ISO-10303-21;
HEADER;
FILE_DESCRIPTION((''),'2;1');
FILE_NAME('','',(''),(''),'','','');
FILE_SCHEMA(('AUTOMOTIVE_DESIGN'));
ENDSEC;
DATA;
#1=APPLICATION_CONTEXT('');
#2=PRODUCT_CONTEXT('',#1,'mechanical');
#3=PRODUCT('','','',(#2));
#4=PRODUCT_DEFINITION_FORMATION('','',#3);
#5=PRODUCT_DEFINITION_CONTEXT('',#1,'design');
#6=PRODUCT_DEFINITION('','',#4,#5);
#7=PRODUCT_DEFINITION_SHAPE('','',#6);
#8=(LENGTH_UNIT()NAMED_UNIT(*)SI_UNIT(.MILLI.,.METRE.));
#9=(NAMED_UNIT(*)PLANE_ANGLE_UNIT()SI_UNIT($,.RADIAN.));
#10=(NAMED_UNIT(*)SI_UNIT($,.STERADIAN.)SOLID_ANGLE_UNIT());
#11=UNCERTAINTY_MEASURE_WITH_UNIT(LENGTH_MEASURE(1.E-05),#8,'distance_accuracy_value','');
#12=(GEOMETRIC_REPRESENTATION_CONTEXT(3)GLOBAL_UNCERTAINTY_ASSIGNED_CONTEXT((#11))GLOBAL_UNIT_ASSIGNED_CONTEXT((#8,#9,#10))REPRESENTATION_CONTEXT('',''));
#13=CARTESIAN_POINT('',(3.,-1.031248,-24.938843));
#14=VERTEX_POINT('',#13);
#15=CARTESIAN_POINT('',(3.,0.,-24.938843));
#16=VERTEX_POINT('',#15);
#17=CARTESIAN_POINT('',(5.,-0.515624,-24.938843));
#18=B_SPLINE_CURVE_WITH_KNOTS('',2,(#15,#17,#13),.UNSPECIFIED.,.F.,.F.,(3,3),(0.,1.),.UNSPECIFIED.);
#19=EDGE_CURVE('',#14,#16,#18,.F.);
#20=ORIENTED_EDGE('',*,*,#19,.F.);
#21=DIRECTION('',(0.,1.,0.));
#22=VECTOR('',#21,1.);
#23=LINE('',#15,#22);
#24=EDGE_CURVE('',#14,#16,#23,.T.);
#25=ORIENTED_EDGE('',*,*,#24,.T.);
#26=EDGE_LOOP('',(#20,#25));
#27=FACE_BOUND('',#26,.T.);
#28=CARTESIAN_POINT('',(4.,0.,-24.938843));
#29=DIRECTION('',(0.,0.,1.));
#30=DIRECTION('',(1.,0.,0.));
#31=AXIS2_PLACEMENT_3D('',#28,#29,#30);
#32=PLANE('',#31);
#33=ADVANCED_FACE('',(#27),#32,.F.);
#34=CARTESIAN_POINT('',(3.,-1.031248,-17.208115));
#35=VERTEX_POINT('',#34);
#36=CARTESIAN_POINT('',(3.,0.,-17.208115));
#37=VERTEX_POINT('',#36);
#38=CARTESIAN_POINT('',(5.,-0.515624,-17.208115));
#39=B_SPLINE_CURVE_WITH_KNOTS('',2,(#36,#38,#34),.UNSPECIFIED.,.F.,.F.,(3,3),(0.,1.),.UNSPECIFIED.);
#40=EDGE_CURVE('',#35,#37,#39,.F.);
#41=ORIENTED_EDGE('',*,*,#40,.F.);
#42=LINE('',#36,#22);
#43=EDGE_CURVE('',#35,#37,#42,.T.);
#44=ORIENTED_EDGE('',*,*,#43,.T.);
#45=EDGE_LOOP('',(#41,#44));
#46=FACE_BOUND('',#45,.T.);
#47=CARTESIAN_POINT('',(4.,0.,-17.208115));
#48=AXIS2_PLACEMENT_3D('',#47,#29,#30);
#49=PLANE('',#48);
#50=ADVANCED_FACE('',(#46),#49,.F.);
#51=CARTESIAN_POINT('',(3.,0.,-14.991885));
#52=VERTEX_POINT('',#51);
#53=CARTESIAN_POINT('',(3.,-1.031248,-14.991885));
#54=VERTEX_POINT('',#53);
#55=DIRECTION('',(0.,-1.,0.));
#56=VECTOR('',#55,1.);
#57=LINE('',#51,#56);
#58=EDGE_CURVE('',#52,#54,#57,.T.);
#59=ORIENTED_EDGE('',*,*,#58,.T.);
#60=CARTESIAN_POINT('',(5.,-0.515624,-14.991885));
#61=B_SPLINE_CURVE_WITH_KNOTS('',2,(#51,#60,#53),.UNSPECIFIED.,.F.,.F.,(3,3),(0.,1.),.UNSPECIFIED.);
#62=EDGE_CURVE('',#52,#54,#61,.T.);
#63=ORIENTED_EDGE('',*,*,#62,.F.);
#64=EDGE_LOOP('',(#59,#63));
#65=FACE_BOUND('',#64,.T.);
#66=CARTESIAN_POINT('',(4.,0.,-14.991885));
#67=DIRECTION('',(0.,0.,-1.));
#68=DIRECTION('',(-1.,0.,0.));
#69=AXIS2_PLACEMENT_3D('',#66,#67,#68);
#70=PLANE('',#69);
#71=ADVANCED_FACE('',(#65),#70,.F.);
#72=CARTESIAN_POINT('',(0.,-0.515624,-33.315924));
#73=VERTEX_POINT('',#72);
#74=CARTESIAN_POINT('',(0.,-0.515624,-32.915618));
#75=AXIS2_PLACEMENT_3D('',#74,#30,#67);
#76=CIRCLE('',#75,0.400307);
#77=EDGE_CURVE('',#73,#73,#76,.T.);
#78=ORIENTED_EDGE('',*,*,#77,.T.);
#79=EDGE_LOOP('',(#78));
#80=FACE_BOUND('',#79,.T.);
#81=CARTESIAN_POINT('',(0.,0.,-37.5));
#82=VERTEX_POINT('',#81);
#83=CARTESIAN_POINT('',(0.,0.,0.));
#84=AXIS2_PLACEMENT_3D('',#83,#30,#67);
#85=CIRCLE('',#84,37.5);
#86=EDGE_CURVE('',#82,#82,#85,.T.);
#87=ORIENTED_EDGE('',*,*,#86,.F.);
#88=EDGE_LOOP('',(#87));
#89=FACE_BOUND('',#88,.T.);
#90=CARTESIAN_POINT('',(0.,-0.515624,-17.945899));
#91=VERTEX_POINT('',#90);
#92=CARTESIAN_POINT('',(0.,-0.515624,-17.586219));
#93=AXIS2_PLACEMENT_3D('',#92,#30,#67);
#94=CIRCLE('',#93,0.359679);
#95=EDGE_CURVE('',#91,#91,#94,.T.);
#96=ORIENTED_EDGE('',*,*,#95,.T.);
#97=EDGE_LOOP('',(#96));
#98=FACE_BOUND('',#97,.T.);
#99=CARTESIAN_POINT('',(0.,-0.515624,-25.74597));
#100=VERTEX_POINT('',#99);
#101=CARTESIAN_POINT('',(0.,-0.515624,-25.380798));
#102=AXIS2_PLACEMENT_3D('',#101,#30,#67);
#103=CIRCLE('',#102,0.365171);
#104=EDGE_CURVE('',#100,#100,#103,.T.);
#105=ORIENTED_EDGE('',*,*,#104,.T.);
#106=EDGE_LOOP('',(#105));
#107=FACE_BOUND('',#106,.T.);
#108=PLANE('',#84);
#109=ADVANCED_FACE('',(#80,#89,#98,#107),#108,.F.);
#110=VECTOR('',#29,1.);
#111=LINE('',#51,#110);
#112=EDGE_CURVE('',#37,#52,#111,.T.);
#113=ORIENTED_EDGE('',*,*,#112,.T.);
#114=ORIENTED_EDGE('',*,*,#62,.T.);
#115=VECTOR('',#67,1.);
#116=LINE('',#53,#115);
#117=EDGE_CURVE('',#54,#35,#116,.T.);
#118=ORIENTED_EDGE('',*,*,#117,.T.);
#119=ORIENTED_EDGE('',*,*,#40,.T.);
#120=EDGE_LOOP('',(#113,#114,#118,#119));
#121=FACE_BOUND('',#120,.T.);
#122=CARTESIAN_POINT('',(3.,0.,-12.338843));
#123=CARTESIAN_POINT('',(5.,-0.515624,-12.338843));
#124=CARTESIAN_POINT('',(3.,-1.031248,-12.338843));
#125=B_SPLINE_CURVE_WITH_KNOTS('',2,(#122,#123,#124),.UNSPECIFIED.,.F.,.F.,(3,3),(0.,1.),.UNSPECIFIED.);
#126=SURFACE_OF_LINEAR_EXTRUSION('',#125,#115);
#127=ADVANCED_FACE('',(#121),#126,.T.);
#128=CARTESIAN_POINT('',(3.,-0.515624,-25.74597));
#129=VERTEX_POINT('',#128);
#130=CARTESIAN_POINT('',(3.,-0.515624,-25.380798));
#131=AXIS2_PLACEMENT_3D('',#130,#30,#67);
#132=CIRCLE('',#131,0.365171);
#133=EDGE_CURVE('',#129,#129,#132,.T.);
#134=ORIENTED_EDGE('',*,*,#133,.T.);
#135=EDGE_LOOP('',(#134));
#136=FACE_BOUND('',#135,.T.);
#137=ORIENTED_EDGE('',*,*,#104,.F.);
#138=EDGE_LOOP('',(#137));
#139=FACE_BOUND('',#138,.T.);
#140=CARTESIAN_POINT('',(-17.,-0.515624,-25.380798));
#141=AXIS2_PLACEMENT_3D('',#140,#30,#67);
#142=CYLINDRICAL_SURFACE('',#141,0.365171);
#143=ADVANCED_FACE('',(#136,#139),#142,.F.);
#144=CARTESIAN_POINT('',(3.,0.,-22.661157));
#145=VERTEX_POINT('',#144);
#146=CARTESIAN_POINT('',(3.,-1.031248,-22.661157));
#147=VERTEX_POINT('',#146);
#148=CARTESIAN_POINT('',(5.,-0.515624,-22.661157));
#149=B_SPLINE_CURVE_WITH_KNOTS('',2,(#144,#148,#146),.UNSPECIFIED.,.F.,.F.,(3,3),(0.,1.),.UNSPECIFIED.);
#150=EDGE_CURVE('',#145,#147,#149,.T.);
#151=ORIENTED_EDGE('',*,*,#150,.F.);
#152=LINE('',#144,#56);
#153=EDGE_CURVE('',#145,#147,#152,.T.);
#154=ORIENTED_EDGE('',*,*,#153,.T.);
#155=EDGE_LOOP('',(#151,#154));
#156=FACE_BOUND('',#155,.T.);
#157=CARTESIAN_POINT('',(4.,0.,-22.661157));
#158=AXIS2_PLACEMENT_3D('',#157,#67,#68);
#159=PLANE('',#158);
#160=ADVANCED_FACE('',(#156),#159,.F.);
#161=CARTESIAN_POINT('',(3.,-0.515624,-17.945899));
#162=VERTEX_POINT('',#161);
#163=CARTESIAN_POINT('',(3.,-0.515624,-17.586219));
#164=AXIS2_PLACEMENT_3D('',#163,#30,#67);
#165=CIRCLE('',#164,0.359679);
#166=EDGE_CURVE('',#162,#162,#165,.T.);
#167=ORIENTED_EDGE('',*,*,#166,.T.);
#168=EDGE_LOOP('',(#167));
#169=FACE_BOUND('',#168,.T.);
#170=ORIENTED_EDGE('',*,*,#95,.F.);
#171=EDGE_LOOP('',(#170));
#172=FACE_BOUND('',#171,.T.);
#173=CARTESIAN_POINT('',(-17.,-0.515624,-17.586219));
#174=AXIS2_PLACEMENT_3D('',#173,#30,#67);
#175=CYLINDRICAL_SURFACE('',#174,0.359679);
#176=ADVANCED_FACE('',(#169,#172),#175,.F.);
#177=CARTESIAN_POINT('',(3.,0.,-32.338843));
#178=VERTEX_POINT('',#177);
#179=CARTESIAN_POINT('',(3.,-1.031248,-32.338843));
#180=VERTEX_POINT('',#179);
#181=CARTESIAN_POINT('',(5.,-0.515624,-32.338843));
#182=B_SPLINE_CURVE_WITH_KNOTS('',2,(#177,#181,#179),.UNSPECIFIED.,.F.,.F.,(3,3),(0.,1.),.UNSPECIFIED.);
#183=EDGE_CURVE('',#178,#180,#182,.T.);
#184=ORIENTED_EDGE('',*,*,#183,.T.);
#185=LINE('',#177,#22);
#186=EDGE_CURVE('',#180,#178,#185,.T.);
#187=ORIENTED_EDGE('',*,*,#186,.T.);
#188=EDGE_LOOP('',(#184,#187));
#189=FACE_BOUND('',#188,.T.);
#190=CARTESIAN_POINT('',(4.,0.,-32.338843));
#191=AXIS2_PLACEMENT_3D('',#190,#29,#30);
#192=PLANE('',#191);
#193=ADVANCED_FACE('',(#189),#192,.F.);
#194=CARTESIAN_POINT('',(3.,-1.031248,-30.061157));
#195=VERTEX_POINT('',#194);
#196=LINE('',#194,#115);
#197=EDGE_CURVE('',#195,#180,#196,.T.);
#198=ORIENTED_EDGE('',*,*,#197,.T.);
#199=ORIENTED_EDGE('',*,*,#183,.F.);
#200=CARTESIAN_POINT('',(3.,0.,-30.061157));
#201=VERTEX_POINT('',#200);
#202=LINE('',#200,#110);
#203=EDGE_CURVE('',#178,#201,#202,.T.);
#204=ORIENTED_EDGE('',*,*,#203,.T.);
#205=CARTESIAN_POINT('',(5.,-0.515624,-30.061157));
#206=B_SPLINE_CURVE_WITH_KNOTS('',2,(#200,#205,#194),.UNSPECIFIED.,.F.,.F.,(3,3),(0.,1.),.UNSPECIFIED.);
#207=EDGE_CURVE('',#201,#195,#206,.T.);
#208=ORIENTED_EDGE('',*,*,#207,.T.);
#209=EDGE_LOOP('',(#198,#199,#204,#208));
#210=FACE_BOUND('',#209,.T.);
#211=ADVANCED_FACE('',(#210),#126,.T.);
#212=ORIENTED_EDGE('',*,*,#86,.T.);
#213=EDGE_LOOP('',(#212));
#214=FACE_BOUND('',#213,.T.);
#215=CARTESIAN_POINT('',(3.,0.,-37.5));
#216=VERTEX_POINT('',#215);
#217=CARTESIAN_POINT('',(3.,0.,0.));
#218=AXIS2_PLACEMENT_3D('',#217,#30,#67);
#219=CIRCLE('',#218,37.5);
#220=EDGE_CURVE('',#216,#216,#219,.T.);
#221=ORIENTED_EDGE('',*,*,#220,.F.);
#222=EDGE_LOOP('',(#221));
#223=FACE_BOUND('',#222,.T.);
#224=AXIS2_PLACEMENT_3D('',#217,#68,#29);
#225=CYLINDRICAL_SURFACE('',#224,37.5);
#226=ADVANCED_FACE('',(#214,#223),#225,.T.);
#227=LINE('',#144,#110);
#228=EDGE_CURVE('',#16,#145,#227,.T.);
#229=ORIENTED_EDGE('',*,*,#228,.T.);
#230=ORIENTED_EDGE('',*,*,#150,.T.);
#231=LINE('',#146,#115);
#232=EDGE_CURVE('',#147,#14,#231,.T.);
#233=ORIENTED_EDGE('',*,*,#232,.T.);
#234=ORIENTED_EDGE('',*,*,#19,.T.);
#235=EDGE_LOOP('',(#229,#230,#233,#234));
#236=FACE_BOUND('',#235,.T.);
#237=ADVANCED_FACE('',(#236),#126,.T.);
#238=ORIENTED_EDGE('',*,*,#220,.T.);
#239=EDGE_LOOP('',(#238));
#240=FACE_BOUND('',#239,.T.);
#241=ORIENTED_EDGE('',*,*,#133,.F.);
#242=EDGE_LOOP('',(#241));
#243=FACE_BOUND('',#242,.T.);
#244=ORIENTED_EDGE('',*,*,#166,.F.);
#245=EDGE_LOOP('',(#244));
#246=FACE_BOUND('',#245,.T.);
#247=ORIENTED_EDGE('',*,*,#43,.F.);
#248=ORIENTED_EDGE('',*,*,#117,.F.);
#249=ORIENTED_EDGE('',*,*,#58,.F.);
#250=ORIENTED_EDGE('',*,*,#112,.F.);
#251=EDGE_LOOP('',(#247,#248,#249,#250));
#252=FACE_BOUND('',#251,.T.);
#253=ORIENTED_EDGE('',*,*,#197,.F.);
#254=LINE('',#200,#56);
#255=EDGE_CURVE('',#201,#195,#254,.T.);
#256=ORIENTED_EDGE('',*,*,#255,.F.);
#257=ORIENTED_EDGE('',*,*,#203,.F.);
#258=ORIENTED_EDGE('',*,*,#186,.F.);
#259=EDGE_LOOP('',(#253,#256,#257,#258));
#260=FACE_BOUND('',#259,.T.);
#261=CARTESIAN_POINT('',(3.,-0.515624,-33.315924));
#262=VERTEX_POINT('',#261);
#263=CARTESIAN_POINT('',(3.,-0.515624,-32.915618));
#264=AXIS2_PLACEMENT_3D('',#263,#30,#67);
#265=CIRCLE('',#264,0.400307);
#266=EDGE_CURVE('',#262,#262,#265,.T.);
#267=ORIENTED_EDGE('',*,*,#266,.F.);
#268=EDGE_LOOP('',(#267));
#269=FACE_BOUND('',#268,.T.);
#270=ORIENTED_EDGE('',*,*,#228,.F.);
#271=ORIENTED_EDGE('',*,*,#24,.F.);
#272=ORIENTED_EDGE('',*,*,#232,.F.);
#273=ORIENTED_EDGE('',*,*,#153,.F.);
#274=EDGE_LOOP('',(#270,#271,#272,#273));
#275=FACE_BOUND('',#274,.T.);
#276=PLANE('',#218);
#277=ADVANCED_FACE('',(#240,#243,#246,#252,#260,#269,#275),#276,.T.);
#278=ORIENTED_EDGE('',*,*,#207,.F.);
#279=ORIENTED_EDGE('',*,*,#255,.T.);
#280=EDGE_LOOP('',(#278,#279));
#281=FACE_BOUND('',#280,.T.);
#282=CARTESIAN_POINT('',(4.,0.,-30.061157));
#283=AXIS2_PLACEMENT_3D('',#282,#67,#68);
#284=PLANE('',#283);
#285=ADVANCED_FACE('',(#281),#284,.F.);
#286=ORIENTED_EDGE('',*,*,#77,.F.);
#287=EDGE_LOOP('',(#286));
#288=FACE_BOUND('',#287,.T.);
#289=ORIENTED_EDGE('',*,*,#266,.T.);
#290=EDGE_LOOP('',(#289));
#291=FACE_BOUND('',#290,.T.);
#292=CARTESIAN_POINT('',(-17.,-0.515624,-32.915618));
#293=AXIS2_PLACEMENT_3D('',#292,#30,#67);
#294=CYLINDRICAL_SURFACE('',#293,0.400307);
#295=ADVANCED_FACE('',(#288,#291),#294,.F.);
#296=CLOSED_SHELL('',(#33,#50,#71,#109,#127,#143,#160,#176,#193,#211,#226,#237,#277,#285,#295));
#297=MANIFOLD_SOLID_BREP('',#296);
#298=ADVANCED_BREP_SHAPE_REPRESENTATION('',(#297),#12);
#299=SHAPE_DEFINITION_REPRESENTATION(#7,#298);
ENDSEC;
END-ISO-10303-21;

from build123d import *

# Parameters (mm, degrees)
CROQUIS1_R              = 37.5
SALIENTE_EXTRUIR1_DEPTH = 3
CROQUIS3_W              = 2.216229218
CROQUIS3_H              = 1.031247755
CROQUIS3_W_2            = 2.277685896
SALIENTE_EXTRUIR2_DEPTH = 1
CORTAR_EXTRUIR1_DEPTH   = 20
CROQUIS5_R              = 0.35967939
CROQUIS5_R_2            = 0.365171254
CROQUIS5_R_3            = 0.400306504
CORTAR_EXTRUIR2_DEPTH   = 20


with BuildPart() as part:
    # Croquis1 → Saliente-Extruir1 (new body)
    with BuildSketch(Plane(origin=(0, 0, 0), x_dir=(0, 0, -1), z_dir=(1, 0, 0))):
        Circle(CROQUIS1_R)
    extrude(amount=SALIENTE_EXTRUIR1_DEPTH)

    # Croquis3 → Saliente-Extruir2 (add)
    with BuildSketch(Plane(origin=(3, 0, 0), x_dir=(0, 0, -1), z_dir=(1, 0, 0))):
        with Locations((16.1, -0.515623878)):
            Rectangle(CROQUIS3_W, CROQUIS3_H)
        with Locations((23.8, -0.515623878)):
            Rectangle(CROQUIS3_W_2, CROQUIS3_H)
        with Locations((31.2, -0.515623878)):
            Rectangle(CROQUIS3_W_2, CROQUIS3_H)
    extrude(amount=SALIENTE_EXTRUIR2_DEPTH)

    # Croquis4 → Cortar-Extruir1 (cut)
    with BuildSketch(Plane(origin=(0, 0, -32.338842948), x_dir=(-1, 0, 0), z_dir=(0, 0, -1))):
        with BuildLine():
            add(Edge.make_bspline(
                [(-3, 0), (-4, -0.257811939), (-4, -0.515623877)],
                knots=[0, 0, 0, 0.5, 0.5, 0.5], degree=2))
            Line((-3, 0), (-4, 0))
            Line((-4, 0), (-4, -0.515623877))
        make_face()
        with BuildLine():
            Line((-4, -1.031247755), (-3, -1.031247755))
            add(Edge.make_bspline(
                [(-4, -0.515623877), (-4, -0.773435816), (-3, -1.031247755)],
                knots=[0.5, 0.5, 0.5, 1, 1, 1], degree=2))
            Line((-4, -0.515623877), (-4, -1.031247755))
        make_face()
    extrude(amount=-CORTAR_EXTRUIR1_DEPTH, mode=Mode.SUBTRACT)

    # Croquis5 → Cortar-Extruir2 (cut)
    with BuildSketch(Plane(origin=(3, 0, 0), x_dir=(0, 0, -1), z_dir=(1, 0, 0))):
        with Locations((17.58621928, -0.515623877)):
            Circle(CROQUIS5_R)
        with Locations((25.380798287, -0.515623877)):
            Circle(CROQUIS5_R_2)
        with Locations((32.915617677, -0.515623877)):
            Circle(CROQUIS5_R_3)
    extrude(amount=-CORTAR_EXTRUIR2_DEPTH, mode=Mode.SUBTRACT)


solid = part.part
